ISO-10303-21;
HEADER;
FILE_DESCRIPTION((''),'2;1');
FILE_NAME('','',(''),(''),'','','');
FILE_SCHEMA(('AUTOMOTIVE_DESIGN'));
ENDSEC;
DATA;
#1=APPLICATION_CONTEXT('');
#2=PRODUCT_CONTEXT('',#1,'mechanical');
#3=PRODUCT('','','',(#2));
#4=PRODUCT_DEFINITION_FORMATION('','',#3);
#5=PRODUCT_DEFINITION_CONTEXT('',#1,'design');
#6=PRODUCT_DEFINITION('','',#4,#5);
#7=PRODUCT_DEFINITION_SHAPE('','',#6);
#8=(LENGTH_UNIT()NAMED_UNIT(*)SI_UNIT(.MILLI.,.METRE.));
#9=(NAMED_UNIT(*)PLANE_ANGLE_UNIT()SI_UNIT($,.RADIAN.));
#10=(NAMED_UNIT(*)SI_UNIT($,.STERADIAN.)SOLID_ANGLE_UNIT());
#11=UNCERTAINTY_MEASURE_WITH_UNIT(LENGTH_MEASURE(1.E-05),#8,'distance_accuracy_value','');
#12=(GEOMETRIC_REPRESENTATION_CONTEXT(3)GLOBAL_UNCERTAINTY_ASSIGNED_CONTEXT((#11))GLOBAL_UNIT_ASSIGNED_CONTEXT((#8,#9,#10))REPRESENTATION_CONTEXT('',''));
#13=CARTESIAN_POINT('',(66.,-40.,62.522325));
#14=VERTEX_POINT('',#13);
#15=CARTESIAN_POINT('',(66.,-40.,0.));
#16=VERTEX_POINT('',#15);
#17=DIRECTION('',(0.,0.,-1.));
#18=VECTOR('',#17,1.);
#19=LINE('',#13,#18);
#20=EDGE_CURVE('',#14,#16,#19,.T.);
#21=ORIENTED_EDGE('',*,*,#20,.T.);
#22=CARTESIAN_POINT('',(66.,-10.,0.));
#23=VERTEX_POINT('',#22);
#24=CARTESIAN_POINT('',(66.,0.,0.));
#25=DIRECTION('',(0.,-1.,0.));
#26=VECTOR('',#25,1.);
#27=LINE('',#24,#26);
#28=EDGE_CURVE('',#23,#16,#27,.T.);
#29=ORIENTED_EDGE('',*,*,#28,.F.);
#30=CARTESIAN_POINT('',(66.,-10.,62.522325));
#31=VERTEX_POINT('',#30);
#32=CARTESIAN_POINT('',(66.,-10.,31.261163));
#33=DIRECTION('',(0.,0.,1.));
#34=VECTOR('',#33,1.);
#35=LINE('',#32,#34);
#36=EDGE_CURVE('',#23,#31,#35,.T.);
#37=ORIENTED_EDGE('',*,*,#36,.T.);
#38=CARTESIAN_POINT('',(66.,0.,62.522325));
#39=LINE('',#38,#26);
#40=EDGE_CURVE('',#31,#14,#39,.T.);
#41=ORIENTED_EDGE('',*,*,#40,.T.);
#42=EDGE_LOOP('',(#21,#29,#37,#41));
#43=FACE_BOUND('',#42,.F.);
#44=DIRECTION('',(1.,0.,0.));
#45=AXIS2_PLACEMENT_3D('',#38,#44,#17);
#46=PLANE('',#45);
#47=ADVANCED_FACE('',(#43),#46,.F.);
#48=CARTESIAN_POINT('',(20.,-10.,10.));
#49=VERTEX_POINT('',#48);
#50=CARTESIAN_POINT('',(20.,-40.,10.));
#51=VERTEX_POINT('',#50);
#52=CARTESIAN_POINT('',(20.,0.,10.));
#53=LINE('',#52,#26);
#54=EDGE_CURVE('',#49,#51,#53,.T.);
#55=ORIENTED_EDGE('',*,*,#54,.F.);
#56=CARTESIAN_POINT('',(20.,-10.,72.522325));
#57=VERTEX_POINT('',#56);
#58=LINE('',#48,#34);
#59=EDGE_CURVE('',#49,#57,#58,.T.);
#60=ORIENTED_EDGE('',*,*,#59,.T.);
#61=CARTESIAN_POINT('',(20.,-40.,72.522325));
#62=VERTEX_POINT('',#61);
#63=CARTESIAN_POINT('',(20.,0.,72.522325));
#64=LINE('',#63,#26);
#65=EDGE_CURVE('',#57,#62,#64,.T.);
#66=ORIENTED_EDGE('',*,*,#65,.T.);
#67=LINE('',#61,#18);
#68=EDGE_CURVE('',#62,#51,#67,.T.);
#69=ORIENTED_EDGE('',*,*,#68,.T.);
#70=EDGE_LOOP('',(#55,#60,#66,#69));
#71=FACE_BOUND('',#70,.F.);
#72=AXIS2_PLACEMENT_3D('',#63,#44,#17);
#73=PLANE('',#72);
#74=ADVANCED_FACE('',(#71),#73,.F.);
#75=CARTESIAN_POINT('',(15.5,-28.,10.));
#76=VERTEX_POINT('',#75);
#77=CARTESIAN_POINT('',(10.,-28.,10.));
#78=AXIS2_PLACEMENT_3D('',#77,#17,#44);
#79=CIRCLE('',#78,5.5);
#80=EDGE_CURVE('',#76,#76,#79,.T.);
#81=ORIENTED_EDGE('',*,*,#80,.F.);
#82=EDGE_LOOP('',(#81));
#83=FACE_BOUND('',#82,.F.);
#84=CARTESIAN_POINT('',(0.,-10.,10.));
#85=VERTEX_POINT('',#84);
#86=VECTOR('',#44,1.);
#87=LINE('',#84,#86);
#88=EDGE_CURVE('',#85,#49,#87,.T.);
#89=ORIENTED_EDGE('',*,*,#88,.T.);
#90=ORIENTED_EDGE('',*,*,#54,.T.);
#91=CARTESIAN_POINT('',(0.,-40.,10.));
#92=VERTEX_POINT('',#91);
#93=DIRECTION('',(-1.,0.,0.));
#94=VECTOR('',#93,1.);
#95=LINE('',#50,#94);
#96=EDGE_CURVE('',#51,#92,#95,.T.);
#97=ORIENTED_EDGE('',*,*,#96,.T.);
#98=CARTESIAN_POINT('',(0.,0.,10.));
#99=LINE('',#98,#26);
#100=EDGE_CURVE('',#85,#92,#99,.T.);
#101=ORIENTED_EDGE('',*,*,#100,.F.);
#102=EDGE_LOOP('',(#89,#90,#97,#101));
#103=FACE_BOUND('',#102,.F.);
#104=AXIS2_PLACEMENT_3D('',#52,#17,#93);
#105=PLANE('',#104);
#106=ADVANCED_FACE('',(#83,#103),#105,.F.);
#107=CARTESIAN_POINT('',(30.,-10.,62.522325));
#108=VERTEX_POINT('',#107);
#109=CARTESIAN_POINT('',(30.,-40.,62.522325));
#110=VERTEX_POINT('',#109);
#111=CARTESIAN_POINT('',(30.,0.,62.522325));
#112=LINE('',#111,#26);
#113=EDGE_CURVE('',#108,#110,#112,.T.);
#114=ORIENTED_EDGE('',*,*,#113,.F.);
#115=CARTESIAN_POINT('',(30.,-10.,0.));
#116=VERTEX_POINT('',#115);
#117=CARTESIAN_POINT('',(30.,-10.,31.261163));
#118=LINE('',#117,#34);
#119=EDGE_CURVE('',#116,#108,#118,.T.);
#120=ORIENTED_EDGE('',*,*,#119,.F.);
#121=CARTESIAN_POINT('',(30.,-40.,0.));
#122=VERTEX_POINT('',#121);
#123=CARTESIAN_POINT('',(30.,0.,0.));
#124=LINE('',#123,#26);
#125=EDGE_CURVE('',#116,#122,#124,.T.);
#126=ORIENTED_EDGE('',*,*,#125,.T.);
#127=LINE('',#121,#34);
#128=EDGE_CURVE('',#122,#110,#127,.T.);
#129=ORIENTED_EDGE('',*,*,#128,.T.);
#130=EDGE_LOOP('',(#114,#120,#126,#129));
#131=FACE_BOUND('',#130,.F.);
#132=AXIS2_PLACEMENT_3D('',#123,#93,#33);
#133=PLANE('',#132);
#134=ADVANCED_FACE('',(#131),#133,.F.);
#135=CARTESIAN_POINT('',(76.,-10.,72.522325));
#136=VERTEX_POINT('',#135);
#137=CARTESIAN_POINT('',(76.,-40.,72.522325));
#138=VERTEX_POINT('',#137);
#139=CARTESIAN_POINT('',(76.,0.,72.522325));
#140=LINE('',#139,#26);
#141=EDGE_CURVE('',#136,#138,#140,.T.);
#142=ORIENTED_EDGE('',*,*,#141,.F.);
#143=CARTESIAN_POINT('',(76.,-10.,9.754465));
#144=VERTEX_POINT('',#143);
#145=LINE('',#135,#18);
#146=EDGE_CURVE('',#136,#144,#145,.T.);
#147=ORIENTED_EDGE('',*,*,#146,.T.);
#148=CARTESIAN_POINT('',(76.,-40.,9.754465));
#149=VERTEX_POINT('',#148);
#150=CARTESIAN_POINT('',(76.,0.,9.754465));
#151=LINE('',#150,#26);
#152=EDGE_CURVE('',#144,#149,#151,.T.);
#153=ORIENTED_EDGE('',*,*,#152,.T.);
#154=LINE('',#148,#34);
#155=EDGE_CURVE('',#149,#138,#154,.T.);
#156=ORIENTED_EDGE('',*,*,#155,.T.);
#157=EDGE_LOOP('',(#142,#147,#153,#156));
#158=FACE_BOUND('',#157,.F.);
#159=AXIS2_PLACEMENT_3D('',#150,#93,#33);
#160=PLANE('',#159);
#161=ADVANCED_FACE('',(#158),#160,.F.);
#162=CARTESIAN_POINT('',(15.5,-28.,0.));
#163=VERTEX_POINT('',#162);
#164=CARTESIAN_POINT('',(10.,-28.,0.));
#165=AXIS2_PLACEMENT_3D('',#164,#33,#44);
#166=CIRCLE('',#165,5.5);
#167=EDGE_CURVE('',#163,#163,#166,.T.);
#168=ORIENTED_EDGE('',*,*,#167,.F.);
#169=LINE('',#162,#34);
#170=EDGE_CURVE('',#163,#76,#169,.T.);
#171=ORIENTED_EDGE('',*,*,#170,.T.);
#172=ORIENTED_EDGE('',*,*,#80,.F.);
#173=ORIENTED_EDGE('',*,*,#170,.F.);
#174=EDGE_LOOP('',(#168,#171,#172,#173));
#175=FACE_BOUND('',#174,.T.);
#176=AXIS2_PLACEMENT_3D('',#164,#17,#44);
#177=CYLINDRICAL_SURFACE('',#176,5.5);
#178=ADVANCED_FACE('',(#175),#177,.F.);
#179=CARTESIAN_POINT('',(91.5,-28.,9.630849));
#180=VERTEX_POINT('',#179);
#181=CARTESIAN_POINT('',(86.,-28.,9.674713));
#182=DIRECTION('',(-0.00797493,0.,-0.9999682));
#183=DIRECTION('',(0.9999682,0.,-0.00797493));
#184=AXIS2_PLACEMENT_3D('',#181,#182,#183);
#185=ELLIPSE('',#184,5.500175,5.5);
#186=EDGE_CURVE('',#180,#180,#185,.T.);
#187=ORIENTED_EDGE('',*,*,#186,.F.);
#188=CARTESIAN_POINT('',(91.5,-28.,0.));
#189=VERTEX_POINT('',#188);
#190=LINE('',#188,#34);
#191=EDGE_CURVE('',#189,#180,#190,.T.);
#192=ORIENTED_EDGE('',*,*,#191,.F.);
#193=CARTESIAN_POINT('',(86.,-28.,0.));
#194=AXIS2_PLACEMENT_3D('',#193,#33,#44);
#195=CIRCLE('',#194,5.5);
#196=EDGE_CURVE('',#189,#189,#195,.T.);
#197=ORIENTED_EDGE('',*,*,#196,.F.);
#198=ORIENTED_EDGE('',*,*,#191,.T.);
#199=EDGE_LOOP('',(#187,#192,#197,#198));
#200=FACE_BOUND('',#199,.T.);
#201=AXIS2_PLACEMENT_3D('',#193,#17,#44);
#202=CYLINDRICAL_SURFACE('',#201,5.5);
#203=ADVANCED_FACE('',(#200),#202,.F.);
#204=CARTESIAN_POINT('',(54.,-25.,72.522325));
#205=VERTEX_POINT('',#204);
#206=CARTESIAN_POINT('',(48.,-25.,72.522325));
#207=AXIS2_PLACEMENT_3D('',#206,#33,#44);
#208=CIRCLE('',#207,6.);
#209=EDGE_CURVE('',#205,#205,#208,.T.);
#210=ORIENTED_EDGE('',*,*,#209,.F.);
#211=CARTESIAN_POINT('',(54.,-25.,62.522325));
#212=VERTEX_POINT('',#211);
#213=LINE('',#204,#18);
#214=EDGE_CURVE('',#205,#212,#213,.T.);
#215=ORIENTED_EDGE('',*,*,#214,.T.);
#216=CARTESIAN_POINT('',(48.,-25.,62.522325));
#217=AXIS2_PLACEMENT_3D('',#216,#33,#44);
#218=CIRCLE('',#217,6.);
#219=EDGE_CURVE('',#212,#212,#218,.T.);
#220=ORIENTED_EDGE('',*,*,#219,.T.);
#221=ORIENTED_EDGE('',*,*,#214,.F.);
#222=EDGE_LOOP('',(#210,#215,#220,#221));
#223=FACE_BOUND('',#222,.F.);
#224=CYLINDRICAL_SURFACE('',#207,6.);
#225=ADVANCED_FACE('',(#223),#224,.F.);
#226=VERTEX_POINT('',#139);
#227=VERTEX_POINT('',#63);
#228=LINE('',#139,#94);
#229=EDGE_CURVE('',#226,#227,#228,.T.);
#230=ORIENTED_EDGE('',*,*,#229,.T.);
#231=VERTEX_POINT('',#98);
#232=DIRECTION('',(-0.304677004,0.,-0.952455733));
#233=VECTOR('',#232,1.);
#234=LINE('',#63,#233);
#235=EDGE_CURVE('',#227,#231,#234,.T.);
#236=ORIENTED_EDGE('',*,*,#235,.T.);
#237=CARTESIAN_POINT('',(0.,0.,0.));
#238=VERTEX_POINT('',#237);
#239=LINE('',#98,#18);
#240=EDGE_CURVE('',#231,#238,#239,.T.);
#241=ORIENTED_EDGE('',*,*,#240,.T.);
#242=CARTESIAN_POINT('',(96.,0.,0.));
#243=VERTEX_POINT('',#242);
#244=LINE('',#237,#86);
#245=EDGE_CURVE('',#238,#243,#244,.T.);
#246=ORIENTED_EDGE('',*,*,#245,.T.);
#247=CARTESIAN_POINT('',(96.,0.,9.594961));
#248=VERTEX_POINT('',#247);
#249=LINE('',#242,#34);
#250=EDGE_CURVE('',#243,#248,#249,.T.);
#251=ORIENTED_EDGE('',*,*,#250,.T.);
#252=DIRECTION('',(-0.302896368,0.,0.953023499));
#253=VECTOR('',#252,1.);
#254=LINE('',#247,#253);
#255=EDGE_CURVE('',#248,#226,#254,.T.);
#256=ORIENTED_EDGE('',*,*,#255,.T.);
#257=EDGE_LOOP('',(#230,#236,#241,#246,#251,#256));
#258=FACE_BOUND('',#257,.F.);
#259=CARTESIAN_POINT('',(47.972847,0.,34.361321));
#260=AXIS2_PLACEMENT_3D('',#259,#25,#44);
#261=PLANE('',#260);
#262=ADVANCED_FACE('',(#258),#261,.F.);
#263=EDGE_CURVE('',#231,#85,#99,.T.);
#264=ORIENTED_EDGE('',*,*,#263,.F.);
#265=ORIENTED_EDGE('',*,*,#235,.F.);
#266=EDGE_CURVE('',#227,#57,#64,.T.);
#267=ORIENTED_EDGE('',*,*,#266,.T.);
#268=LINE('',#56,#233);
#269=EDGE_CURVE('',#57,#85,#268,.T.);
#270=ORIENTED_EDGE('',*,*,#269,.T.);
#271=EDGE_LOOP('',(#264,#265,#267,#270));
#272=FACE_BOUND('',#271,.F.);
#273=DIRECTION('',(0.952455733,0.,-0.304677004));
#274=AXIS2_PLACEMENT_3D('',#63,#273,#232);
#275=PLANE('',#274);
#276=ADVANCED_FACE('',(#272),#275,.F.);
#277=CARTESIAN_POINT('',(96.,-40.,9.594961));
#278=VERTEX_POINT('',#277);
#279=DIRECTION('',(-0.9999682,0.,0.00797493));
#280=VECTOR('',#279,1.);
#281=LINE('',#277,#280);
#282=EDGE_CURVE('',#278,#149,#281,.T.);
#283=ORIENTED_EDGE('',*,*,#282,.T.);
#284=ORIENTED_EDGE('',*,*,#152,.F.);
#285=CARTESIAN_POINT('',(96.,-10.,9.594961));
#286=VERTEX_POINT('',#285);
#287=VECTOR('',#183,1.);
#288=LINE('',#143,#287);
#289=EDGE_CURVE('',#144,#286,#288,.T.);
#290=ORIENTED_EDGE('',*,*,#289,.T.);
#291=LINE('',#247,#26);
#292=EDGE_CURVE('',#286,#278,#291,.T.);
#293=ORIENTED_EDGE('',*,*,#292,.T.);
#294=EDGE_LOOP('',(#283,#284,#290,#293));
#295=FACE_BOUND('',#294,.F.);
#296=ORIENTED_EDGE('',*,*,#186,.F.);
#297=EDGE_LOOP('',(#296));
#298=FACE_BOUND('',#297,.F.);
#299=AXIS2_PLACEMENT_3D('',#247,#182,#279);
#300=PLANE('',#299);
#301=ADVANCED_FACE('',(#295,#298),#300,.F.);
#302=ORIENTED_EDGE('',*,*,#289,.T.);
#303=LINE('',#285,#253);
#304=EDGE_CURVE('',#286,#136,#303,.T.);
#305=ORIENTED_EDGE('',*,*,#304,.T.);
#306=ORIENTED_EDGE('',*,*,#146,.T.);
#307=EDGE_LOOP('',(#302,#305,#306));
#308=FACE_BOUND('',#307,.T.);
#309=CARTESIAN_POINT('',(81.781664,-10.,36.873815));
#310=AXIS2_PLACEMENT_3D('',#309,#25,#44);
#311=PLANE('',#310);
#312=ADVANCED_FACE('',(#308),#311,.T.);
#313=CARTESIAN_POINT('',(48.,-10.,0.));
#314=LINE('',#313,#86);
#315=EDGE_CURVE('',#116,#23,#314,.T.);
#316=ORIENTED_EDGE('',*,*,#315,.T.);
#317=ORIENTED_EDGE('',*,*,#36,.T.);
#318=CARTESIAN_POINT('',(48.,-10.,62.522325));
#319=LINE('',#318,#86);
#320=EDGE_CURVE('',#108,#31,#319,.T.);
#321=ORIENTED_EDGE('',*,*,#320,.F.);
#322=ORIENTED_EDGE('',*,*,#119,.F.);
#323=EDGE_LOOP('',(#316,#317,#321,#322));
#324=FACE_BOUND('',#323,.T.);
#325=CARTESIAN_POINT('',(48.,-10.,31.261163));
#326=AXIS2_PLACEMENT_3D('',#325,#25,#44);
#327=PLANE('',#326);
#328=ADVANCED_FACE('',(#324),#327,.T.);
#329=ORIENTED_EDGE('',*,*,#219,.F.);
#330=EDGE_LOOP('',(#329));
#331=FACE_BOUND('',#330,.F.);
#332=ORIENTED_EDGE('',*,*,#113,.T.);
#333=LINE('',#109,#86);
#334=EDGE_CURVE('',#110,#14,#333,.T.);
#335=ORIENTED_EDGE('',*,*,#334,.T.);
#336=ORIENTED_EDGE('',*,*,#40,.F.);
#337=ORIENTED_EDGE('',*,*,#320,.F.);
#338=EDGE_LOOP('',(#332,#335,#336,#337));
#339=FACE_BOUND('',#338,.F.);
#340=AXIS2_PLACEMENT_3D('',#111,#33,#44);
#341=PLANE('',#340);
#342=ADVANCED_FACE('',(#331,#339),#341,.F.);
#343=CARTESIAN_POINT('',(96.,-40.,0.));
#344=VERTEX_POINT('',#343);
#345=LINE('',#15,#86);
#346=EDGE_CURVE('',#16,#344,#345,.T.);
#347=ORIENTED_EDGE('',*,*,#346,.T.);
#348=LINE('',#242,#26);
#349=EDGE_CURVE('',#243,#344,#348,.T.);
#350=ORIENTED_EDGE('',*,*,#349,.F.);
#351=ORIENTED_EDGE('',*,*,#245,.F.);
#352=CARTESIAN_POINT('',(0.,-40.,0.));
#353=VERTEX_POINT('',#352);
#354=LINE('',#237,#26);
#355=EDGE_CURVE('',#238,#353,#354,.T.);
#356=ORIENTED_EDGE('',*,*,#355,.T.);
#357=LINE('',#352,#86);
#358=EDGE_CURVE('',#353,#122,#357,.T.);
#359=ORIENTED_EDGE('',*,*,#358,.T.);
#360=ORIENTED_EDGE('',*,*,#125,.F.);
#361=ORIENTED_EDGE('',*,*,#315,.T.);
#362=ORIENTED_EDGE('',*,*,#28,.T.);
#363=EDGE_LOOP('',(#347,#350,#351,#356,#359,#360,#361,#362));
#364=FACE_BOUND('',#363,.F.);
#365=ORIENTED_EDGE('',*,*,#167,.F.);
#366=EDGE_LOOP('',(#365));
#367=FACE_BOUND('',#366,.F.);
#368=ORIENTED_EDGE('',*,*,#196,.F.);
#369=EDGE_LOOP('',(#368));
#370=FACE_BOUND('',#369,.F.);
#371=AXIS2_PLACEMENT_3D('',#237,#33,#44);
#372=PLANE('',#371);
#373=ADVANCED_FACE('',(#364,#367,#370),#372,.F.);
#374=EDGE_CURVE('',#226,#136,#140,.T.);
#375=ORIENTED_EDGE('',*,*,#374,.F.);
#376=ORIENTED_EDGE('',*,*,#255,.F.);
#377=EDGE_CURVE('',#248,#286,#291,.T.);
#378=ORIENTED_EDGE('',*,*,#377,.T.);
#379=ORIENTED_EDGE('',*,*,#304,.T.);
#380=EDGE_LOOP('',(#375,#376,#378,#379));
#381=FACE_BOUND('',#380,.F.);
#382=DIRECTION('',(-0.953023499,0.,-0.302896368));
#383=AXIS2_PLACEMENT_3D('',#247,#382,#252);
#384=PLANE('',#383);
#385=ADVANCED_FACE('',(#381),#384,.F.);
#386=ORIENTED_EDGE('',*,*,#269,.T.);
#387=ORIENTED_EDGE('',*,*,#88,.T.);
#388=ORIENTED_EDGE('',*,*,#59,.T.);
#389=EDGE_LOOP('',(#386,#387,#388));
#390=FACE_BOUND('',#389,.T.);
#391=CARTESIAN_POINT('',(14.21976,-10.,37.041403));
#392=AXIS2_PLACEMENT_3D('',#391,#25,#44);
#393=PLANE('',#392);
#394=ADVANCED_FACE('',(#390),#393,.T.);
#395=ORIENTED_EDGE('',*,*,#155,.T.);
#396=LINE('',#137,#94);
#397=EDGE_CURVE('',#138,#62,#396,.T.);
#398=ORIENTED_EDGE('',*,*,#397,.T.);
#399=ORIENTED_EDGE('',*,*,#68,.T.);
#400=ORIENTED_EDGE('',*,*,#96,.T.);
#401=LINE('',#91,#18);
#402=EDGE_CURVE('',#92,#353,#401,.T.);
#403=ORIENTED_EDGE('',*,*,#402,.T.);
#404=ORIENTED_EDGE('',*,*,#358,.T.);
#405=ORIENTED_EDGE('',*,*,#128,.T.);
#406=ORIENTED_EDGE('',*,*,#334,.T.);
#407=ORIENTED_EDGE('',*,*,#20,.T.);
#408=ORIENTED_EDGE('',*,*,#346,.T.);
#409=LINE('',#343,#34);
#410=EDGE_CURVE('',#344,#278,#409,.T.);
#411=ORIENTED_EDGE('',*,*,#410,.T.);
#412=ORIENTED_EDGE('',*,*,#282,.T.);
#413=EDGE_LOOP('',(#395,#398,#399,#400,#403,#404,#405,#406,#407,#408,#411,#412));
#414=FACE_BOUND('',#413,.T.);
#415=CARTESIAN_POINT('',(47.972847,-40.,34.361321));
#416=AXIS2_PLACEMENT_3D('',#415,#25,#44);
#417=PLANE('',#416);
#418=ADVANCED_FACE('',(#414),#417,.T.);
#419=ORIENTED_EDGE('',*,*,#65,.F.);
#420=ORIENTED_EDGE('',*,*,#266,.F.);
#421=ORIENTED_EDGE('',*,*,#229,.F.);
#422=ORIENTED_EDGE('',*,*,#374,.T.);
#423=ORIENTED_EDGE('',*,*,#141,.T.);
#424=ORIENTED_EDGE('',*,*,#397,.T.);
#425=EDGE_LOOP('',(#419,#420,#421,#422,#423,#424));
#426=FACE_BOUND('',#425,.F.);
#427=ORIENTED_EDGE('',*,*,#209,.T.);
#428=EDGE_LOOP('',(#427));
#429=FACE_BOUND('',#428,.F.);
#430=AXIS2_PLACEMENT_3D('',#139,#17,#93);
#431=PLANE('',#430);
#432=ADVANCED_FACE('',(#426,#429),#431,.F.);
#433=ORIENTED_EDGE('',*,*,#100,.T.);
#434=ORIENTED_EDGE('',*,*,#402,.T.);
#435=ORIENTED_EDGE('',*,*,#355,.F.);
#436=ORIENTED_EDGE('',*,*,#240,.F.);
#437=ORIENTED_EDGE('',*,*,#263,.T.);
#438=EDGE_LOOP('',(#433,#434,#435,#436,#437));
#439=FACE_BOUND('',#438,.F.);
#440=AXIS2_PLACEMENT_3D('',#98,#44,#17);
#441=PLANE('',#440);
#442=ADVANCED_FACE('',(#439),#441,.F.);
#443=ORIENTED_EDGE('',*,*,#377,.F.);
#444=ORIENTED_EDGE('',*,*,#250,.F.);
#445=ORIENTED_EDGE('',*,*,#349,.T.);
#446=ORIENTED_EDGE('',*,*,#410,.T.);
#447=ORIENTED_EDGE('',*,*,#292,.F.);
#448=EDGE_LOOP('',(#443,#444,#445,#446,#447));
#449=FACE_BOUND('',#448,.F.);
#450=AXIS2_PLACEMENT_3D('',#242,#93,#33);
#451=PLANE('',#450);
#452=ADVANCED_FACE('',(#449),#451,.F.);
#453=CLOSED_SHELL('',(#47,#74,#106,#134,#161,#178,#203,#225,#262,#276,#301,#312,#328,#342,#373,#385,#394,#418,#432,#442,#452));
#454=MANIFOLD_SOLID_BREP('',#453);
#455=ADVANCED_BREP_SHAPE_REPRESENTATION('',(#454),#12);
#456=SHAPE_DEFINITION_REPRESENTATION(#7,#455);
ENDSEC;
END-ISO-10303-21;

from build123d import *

# Parameters (mm, degrees)
F1_DEPTH = 10
F0_W     = 36
F0_H     = 62.5223250638
F2_DEPTH = 40
F3_R     = 5.5
F4_DEPTH = 25
F5_R     = 6
F6_DEPTH = 25


with BuildPart() as f1:
    # F0 (on Front) → F1 (new body)
    with BuildSketch(Plane.XZ):
        Polygon((20, 72.5223250638), (0, 10), (20, 10), align=None)
    extrude(amount=F1_DEPTH)



with BuildPart() as f1b:
    # F0 (on Front) → F1, piece 2 (new body)
    with BuildSketch(Plane.XZ):
        with Locations((48, 31.2611625319)):
            Rectangle(F0_W, F0_H)
    extrude(amount=F1_DEPTH)


with BuildPart() as f1c:
    # F0 (on Front) → F1, piece 3 (new body)
    with BuildSketch(Plane.XZ):
        Polygon((96, 9.5949610695), (76, 72.5223250638), (76, 9.7544647339), align=None)
    extrude(amount=F1_DEPTH)


with BuildPart() as f1_1:
    add(f1.part)

    add(f1b.part)  # F2 merges F1b

    add(f1c.part)  # F2 merges F1c
    # F0 (on Front) → F2 (join)
    with BuildSketch(Plane.XZ):
        Polygon((0, 10), (0, 0), (30, 0), (30, 62.5223250638), (66, 62.5223250638), (66, 0), (96, 0), (96, 9.5949610695), (76, 9.7544647339), (76, 72.5223250638), (20, 72.5223250638), (20, 10), align=None)
    extrude(amount=F2_DEPTH)

    # F3 (on Top) → F4 (cut)
    with BuildSketch(Plane.XY):
        with Locations((10, -28)):
            Circle(F3_R)
        with Locations((86, -28)):
            Circle(F3_R)
    extrude(amount=F4_DEPTH, mode=Mode.SUBTRACT)

    # F5 (on face) → F6 (cut)
    with BuildSketch(Plane.XY.offset(72.5223250638)):
        with Locations((48, -25)):
            Circle(F5_R)
    extrude(amount=-F6_DEPTH, mode=Mode.SUBTRACT)


solid = f1_1.part
